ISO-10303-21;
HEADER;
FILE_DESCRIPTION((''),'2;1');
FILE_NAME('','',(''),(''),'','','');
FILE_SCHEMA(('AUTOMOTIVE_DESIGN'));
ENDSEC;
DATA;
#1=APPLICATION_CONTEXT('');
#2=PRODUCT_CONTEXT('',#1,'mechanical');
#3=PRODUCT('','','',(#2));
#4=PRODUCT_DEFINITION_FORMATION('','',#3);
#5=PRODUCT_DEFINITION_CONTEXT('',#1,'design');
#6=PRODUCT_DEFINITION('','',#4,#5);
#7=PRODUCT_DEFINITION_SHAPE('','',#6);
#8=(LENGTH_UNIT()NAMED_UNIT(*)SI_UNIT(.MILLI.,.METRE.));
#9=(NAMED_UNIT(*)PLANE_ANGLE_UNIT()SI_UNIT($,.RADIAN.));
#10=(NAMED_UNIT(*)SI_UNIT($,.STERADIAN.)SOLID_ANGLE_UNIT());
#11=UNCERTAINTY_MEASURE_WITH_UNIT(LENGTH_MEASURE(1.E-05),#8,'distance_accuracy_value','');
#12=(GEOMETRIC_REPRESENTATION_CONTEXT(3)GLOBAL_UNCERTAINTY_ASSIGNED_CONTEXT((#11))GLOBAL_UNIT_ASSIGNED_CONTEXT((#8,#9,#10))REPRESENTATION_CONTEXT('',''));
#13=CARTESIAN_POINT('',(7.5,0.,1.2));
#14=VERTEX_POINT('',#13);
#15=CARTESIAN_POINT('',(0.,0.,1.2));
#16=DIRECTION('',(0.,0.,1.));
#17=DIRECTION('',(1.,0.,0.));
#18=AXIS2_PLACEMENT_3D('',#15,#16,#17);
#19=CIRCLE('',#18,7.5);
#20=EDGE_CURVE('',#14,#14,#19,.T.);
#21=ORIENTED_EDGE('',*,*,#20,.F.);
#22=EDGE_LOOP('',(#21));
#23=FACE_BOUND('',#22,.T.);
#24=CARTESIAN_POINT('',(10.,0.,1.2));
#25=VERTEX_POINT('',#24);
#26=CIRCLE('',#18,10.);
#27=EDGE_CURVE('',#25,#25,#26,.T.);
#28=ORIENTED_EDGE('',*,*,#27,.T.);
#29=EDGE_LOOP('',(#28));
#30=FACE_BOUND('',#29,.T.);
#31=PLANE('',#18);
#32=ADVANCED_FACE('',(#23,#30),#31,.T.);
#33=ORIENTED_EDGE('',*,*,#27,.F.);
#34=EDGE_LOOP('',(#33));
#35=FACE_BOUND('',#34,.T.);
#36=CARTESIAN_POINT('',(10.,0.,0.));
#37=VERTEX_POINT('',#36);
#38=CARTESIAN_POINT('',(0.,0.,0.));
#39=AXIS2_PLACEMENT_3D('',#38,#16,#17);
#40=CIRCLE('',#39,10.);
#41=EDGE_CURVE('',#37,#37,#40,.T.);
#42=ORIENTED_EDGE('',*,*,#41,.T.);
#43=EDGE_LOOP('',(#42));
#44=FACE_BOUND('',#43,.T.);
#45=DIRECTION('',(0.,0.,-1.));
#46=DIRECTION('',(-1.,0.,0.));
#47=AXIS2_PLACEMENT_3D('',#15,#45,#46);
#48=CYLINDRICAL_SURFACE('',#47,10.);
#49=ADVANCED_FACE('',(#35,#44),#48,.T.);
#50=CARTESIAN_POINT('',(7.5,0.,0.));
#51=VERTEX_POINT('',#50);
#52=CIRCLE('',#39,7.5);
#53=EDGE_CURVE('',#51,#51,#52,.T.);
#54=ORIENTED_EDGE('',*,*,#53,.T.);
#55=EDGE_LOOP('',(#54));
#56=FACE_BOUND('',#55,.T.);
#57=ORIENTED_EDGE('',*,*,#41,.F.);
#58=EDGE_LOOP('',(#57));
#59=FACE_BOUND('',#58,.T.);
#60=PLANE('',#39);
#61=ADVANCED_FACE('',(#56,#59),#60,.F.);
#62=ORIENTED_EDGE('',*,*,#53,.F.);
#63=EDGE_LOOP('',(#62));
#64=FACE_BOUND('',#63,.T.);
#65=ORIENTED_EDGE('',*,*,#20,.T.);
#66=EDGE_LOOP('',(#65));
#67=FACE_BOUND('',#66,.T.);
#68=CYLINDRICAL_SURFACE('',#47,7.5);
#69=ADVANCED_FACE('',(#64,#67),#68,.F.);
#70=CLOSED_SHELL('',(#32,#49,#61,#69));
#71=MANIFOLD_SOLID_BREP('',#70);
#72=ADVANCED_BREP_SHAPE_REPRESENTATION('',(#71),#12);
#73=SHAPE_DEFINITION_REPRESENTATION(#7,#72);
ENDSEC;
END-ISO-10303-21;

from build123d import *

# Parameters (mm, degrees)
SKETCH1_R           = 10
SKETCH1_R_2         = 7.5
BOSS_EXTRUDE1_DEPTH = 1.2


with BuildPart() as part:
    # Sketch1 → Boss-Extrude1 (new body)
    with BuildSketch(Plane.XY):
        Circle(SKETCH1_R)
        Circle(SKETCH1_R_2, mode=Mode.SUBTRACT)
    extrude(amount=BOSS_EXTRUDE1_DEPTH)


solid = part.part
